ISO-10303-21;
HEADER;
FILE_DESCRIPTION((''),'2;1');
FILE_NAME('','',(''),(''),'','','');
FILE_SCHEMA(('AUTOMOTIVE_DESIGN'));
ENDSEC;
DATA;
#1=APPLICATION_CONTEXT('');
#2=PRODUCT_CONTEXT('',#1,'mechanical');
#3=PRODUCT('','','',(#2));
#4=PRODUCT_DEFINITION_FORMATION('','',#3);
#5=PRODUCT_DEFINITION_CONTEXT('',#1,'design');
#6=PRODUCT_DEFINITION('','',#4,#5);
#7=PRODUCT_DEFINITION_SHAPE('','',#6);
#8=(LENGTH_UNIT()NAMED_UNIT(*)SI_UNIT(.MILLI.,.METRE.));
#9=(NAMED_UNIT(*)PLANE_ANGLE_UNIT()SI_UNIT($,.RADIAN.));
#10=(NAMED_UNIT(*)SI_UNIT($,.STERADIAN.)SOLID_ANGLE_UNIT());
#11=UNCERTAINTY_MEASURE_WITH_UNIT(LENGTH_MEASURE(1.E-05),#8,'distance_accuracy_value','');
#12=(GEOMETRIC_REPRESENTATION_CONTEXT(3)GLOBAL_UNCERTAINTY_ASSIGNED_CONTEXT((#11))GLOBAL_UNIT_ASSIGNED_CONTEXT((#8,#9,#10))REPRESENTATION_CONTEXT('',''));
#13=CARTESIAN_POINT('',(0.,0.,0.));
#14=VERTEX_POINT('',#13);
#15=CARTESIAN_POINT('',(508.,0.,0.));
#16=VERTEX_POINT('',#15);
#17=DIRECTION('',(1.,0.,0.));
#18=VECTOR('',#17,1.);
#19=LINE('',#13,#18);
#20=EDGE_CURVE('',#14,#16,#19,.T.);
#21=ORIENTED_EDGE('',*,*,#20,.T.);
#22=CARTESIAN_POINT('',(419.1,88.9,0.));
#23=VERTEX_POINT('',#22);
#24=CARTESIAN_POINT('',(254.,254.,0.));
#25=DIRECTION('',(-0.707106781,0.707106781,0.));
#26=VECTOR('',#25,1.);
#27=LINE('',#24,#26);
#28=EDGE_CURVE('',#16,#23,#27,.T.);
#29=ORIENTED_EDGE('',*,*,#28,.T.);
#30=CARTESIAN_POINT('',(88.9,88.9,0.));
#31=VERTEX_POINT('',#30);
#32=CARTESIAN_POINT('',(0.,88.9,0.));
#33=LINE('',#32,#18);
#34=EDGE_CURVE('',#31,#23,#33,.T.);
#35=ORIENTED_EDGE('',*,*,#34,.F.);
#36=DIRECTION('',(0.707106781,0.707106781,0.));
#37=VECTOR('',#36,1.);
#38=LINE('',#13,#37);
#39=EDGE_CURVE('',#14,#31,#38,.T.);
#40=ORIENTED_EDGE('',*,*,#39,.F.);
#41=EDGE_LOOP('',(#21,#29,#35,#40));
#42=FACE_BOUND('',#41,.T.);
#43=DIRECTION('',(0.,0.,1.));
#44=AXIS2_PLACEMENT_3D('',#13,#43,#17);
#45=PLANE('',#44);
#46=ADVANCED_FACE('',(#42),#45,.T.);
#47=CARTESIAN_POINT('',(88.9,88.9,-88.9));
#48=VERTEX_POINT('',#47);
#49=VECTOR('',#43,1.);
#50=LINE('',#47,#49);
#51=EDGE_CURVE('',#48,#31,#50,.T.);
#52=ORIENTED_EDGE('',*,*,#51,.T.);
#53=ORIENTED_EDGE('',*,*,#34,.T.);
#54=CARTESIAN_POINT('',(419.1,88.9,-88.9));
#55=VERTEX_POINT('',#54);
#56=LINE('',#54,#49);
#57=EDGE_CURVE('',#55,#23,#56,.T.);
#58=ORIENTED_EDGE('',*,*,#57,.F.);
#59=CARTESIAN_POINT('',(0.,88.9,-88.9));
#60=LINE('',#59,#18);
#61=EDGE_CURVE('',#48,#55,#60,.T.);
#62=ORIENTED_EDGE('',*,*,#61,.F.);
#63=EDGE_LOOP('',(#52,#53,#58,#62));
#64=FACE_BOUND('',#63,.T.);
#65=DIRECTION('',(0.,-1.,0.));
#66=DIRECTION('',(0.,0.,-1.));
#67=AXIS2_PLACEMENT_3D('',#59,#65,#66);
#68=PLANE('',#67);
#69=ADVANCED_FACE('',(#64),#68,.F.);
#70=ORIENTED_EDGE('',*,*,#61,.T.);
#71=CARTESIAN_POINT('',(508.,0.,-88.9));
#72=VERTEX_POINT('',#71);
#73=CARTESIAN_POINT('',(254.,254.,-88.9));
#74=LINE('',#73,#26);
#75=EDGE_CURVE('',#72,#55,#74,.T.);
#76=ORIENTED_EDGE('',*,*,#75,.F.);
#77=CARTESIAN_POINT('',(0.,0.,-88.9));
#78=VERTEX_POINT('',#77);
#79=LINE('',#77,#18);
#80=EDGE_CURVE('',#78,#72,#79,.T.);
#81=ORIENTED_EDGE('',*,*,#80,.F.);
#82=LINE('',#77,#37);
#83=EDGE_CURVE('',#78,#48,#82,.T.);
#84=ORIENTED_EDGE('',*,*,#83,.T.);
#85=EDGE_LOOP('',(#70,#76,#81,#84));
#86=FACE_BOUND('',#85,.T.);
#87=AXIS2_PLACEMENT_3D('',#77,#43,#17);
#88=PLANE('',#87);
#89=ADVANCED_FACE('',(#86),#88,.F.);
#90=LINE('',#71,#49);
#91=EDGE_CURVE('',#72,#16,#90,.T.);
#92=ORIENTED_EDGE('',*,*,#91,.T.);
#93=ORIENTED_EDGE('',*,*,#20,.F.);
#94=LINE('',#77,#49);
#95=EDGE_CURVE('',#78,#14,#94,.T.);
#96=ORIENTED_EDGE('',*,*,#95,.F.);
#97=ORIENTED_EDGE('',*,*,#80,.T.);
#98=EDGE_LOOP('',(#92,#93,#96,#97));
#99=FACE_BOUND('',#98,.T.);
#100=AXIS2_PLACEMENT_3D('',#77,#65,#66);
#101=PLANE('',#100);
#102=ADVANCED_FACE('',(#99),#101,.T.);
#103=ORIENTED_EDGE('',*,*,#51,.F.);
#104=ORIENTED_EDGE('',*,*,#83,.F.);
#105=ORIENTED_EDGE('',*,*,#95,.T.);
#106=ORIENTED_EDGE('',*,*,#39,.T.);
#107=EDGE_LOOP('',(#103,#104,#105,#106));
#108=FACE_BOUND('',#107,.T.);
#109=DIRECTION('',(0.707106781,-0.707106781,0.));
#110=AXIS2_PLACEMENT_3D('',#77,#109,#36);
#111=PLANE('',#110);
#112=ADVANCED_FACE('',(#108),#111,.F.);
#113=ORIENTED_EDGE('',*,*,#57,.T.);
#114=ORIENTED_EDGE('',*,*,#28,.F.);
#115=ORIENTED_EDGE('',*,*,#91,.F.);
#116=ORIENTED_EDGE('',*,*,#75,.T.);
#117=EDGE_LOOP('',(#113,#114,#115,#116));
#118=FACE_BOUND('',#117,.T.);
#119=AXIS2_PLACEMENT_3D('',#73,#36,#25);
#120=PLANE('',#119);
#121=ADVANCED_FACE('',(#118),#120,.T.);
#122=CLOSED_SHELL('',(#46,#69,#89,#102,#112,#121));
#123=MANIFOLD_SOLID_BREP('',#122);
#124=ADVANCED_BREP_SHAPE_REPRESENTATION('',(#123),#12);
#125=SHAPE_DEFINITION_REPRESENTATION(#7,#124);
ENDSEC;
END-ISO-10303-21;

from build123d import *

# Parameters (mm, degrees)
BOSS_EXTRUDE1_DEPTH = 88.9


with BuildPart() as part:
    # Sketch1 → Boss-Extrude1 (new body)
    with BuildSketch(Plane.XY):
        Polygon((0, 0), (508, 0), (419.1, 88.9), (88.9, 88.9), align=None)
    extrude(amount=-BOSS_EXTRUDE1_DEPTH)


solid = part.part
